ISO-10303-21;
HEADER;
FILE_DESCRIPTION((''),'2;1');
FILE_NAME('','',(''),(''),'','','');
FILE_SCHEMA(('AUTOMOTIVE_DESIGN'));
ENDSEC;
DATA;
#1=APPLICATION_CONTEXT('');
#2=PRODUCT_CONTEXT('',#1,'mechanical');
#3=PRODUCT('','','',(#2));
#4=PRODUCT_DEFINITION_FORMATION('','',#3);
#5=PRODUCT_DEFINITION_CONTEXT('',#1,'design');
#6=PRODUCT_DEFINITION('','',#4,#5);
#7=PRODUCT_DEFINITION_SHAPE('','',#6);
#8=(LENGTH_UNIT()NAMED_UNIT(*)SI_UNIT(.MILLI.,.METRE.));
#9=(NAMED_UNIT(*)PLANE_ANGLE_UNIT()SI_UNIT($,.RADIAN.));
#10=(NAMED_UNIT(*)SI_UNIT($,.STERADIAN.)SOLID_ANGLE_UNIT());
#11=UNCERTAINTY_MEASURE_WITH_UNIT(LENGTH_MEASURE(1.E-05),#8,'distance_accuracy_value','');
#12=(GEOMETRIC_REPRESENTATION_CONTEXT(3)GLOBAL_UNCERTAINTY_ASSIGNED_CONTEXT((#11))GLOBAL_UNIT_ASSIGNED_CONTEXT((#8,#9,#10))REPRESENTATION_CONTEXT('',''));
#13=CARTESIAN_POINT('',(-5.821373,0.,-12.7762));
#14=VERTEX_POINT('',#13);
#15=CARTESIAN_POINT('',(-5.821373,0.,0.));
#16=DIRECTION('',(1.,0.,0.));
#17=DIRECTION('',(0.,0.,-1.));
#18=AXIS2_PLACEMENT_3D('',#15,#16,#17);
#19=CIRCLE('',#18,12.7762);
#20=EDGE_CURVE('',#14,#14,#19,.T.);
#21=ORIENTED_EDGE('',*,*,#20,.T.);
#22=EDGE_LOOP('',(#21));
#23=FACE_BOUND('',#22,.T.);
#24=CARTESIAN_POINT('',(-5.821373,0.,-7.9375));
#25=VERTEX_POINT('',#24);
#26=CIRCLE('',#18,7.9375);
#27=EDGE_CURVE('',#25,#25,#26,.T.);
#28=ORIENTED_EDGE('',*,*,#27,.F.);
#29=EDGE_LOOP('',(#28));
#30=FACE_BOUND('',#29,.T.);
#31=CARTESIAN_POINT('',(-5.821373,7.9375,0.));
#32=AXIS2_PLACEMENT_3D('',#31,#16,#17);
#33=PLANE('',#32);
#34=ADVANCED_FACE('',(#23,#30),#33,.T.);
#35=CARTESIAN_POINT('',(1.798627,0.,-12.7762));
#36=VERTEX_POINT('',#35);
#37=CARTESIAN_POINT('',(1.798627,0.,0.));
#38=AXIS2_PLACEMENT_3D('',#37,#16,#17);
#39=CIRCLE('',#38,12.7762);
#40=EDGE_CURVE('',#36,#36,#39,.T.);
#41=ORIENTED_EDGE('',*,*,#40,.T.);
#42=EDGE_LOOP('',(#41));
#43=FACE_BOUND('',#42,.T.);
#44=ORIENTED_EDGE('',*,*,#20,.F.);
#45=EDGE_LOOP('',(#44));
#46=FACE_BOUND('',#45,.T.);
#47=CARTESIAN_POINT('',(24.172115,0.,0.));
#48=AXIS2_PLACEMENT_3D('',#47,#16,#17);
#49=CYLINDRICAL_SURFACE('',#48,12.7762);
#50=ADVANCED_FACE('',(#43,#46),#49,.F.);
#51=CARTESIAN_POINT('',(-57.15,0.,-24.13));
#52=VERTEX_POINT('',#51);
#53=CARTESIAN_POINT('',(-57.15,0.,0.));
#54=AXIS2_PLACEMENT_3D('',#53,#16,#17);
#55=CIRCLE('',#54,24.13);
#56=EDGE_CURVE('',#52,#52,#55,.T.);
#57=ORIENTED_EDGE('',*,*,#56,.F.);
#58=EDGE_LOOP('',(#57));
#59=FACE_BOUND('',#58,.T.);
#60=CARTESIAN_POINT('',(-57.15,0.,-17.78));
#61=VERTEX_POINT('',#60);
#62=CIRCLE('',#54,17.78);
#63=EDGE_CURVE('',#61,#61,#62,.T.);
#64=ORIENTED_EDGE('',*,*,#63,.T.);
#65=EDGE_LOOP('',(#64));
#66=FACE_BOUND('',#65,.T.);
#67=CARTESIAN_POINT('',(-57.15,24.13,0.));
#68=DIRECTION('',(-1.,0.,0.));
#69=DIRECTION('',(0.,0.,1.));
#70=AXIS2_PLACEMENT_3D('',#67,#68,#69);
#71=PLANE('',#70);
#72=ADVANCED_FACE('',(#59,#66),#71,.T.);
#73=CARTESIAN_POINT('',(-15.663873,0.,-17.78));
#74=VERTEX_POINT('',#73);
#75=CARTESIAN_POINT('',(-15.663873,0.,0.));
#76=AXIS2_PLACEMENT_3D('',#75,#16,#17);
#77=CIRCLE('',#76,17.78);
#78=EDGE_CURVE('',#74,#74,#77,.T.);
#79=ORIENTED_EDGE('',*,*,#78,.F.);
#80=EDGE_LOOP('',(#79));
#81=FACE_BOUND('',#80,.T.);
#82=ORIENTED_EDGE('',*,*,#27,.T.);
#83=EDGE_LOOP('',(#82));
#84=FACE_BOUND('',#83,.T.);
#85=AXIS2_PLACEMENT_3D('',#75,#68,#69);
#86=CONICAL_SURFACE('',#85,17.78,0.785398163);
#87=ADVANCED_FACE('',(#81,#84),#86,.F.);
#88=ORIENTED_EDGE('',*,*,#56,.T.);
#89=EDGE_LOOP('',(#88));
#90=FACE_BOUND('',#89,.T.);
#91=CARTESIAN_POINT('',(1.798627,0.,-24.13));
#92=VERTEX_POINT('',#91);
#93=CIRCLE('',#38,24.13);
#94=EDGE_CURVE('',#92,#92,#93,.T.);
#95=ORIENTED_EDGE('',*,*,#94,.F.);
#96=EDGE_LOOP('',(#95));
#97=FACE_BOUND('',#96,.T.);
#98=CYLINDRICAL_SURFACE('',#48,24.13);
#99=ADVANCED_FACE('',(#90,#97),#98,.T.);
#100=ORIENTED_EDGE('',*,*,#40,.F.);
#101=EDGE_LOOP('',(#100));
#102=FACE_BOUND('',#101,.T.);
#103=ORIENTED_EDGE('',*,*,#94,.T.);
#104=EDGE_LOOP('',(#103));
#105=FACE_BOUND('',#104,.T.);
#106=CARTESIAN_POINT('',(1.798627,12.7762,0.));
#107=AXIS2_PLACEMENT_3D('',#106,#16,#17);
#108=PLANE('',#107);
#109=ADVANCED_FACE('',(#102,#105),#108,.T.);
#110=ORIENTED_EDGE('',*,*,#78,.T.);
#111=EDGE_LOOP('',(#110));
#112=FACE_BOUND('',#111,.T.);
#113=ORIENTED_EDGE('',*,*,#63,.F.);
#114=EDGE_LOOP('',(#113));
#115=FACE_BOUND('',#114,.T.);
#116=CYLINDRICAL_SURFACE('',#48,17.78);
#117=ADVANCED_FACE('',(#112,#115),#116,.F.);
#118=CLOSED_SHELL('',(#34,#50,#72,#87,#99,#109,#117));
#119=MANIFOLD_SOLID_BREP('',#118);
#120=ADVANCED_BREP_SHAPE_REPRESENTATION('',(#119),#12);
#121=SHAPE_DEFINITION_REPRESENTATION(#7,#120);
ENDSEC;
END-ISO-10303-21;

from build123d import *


with BuildPart() as part:
    # Sketch3 → Revolve1 (revolve)
    with BuildSketch(Plane.XY, mode=Mode.PRIVATE) as revolve1_sk:
        Polygon((1.798626967, 24.13), (-57.15, 24.13), (-57.15, 17.78), (-15.663873033, 17.78), (-5.821373033, 7.9375), (-5.821373033, 12.7762), (1.798626967, 12.7762), align=None)
    revolve(revolve1_sk.sketch.rotate(Axis((24.172114646, 0, 0), (-1, 0, 0)), 90), axis=Axis((24.172114646, 0, 0), (-1, 0, 0)))


solid = part.part
